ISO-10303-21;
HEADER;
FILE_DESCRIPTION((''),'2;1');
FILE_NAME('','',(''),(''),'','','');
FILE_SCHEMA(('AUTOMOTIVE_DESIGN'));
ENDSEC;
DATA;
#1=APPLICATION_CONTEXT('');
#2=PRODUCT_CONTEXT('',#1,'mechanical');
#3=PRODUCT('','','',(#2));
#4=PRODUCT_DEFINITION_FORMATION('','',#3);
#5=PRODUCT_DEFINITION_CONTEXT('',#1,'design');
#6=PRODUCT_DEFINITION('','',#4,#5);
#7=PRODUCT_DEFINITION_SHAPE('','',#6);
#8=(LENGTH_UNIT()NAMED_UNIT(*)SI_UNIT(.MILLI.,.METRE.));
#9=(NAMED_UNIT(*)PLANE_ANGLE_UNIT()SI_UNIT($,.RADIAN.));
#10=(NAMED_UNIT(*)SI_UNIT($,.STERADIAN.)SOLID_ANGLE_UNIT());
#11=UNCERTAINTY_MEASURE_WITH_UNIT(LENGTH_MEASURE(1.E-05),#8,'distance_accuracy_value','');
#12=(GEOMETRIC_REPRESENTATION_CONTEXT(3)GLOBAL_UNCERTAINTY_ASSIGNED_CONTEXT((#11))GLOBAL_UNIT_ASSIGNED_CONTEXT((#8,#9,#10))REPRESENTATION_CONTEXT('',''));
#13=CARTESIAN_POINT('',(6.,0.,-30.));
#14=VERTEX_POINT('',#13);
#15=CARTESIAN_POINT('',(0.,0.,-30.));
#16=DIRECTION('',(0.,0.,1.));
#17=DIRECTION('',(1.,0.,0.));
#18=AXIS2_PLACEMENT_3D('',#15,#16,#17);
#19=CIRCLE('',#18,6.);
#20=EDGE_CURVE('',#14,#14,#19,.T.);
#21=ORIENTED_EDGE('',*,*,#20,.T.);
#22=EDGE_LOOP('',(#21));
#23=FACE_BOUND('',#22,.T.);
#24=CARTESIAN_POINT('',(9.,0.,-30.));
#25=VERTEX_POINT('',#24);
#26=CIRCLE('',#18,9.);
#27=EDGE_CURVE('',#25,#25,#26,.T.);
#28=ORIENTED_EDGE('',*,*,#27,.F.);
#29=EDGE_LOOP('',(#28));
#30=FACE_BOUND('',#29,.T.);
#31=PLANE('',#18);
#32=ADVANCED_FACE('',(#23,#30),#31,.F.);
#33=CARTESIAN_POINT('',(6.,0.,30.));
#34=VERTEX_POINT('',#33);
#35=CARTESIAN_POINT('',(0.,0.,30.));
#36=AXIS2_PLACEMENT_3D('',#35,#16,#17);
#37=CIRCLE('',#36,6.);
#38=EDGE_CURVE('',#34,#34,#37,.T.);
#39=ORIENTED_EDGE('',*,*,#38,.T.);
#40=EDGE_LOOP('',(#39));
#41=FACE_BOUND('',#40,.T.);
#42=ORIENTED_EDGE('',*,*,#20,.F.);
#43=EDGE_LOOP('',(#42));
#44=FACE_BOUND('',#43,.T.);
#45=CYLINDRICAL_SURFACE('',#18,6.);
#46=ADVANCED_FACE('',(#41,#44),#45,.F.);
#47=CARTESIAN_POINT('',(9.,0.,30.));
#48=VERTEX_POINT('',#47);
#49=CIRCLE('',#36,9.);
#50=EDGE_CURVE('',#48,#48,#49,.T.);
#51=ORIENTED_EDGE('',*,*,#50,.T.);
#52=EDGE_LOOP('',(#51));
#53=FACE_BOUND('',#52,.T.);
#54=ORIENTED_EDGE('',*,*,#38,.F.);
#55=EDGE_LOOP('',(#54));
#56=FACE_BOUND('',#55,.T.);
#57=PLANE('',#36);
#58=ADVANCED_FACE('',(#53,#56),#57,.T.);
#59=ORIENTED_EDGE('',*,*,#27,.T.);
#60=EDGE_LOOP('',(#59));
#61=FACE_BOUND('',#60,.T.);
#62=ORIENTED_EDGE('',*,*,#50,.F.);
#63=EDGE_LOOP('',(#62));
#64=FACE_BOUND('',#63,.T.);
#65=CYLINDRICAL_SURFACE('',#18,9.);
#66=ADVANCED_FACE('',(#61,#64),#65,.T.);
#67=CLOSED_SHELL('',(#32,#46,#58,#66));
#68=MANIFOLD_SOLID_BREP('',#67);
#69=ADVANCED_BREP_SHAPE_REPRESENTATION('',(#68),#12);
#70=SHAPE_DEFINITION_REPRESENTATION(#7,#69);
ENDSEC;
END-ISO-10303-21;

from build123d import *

# Parameters (mm, degrees)
EXTRUDE_1_DEPTH      = 30
EXTRUDE_1_DEPTH_BACK = 30
SKETCH_1_R           = 9
SKETCH_1_R_2         = 6


with BuildPart() as part:
    # Эскиз1 → Вытянуть-Тонкостенный1 (new, two sides: drawn at the far end of the back side and taken through both)
    with BuildSketch(Plane.XY.offset(-EXTRUDE_1_DEPTH_BACK)):
        Circle(SKETCH_1_R)
        Circle(SKETCH_1_R_2, mode=Mode.SUBTRACT)
    extrude(amount=EXTRUDE_1_DEPTH + EXTRUDE_1_DEPTH_BACK)


solid = part.part
